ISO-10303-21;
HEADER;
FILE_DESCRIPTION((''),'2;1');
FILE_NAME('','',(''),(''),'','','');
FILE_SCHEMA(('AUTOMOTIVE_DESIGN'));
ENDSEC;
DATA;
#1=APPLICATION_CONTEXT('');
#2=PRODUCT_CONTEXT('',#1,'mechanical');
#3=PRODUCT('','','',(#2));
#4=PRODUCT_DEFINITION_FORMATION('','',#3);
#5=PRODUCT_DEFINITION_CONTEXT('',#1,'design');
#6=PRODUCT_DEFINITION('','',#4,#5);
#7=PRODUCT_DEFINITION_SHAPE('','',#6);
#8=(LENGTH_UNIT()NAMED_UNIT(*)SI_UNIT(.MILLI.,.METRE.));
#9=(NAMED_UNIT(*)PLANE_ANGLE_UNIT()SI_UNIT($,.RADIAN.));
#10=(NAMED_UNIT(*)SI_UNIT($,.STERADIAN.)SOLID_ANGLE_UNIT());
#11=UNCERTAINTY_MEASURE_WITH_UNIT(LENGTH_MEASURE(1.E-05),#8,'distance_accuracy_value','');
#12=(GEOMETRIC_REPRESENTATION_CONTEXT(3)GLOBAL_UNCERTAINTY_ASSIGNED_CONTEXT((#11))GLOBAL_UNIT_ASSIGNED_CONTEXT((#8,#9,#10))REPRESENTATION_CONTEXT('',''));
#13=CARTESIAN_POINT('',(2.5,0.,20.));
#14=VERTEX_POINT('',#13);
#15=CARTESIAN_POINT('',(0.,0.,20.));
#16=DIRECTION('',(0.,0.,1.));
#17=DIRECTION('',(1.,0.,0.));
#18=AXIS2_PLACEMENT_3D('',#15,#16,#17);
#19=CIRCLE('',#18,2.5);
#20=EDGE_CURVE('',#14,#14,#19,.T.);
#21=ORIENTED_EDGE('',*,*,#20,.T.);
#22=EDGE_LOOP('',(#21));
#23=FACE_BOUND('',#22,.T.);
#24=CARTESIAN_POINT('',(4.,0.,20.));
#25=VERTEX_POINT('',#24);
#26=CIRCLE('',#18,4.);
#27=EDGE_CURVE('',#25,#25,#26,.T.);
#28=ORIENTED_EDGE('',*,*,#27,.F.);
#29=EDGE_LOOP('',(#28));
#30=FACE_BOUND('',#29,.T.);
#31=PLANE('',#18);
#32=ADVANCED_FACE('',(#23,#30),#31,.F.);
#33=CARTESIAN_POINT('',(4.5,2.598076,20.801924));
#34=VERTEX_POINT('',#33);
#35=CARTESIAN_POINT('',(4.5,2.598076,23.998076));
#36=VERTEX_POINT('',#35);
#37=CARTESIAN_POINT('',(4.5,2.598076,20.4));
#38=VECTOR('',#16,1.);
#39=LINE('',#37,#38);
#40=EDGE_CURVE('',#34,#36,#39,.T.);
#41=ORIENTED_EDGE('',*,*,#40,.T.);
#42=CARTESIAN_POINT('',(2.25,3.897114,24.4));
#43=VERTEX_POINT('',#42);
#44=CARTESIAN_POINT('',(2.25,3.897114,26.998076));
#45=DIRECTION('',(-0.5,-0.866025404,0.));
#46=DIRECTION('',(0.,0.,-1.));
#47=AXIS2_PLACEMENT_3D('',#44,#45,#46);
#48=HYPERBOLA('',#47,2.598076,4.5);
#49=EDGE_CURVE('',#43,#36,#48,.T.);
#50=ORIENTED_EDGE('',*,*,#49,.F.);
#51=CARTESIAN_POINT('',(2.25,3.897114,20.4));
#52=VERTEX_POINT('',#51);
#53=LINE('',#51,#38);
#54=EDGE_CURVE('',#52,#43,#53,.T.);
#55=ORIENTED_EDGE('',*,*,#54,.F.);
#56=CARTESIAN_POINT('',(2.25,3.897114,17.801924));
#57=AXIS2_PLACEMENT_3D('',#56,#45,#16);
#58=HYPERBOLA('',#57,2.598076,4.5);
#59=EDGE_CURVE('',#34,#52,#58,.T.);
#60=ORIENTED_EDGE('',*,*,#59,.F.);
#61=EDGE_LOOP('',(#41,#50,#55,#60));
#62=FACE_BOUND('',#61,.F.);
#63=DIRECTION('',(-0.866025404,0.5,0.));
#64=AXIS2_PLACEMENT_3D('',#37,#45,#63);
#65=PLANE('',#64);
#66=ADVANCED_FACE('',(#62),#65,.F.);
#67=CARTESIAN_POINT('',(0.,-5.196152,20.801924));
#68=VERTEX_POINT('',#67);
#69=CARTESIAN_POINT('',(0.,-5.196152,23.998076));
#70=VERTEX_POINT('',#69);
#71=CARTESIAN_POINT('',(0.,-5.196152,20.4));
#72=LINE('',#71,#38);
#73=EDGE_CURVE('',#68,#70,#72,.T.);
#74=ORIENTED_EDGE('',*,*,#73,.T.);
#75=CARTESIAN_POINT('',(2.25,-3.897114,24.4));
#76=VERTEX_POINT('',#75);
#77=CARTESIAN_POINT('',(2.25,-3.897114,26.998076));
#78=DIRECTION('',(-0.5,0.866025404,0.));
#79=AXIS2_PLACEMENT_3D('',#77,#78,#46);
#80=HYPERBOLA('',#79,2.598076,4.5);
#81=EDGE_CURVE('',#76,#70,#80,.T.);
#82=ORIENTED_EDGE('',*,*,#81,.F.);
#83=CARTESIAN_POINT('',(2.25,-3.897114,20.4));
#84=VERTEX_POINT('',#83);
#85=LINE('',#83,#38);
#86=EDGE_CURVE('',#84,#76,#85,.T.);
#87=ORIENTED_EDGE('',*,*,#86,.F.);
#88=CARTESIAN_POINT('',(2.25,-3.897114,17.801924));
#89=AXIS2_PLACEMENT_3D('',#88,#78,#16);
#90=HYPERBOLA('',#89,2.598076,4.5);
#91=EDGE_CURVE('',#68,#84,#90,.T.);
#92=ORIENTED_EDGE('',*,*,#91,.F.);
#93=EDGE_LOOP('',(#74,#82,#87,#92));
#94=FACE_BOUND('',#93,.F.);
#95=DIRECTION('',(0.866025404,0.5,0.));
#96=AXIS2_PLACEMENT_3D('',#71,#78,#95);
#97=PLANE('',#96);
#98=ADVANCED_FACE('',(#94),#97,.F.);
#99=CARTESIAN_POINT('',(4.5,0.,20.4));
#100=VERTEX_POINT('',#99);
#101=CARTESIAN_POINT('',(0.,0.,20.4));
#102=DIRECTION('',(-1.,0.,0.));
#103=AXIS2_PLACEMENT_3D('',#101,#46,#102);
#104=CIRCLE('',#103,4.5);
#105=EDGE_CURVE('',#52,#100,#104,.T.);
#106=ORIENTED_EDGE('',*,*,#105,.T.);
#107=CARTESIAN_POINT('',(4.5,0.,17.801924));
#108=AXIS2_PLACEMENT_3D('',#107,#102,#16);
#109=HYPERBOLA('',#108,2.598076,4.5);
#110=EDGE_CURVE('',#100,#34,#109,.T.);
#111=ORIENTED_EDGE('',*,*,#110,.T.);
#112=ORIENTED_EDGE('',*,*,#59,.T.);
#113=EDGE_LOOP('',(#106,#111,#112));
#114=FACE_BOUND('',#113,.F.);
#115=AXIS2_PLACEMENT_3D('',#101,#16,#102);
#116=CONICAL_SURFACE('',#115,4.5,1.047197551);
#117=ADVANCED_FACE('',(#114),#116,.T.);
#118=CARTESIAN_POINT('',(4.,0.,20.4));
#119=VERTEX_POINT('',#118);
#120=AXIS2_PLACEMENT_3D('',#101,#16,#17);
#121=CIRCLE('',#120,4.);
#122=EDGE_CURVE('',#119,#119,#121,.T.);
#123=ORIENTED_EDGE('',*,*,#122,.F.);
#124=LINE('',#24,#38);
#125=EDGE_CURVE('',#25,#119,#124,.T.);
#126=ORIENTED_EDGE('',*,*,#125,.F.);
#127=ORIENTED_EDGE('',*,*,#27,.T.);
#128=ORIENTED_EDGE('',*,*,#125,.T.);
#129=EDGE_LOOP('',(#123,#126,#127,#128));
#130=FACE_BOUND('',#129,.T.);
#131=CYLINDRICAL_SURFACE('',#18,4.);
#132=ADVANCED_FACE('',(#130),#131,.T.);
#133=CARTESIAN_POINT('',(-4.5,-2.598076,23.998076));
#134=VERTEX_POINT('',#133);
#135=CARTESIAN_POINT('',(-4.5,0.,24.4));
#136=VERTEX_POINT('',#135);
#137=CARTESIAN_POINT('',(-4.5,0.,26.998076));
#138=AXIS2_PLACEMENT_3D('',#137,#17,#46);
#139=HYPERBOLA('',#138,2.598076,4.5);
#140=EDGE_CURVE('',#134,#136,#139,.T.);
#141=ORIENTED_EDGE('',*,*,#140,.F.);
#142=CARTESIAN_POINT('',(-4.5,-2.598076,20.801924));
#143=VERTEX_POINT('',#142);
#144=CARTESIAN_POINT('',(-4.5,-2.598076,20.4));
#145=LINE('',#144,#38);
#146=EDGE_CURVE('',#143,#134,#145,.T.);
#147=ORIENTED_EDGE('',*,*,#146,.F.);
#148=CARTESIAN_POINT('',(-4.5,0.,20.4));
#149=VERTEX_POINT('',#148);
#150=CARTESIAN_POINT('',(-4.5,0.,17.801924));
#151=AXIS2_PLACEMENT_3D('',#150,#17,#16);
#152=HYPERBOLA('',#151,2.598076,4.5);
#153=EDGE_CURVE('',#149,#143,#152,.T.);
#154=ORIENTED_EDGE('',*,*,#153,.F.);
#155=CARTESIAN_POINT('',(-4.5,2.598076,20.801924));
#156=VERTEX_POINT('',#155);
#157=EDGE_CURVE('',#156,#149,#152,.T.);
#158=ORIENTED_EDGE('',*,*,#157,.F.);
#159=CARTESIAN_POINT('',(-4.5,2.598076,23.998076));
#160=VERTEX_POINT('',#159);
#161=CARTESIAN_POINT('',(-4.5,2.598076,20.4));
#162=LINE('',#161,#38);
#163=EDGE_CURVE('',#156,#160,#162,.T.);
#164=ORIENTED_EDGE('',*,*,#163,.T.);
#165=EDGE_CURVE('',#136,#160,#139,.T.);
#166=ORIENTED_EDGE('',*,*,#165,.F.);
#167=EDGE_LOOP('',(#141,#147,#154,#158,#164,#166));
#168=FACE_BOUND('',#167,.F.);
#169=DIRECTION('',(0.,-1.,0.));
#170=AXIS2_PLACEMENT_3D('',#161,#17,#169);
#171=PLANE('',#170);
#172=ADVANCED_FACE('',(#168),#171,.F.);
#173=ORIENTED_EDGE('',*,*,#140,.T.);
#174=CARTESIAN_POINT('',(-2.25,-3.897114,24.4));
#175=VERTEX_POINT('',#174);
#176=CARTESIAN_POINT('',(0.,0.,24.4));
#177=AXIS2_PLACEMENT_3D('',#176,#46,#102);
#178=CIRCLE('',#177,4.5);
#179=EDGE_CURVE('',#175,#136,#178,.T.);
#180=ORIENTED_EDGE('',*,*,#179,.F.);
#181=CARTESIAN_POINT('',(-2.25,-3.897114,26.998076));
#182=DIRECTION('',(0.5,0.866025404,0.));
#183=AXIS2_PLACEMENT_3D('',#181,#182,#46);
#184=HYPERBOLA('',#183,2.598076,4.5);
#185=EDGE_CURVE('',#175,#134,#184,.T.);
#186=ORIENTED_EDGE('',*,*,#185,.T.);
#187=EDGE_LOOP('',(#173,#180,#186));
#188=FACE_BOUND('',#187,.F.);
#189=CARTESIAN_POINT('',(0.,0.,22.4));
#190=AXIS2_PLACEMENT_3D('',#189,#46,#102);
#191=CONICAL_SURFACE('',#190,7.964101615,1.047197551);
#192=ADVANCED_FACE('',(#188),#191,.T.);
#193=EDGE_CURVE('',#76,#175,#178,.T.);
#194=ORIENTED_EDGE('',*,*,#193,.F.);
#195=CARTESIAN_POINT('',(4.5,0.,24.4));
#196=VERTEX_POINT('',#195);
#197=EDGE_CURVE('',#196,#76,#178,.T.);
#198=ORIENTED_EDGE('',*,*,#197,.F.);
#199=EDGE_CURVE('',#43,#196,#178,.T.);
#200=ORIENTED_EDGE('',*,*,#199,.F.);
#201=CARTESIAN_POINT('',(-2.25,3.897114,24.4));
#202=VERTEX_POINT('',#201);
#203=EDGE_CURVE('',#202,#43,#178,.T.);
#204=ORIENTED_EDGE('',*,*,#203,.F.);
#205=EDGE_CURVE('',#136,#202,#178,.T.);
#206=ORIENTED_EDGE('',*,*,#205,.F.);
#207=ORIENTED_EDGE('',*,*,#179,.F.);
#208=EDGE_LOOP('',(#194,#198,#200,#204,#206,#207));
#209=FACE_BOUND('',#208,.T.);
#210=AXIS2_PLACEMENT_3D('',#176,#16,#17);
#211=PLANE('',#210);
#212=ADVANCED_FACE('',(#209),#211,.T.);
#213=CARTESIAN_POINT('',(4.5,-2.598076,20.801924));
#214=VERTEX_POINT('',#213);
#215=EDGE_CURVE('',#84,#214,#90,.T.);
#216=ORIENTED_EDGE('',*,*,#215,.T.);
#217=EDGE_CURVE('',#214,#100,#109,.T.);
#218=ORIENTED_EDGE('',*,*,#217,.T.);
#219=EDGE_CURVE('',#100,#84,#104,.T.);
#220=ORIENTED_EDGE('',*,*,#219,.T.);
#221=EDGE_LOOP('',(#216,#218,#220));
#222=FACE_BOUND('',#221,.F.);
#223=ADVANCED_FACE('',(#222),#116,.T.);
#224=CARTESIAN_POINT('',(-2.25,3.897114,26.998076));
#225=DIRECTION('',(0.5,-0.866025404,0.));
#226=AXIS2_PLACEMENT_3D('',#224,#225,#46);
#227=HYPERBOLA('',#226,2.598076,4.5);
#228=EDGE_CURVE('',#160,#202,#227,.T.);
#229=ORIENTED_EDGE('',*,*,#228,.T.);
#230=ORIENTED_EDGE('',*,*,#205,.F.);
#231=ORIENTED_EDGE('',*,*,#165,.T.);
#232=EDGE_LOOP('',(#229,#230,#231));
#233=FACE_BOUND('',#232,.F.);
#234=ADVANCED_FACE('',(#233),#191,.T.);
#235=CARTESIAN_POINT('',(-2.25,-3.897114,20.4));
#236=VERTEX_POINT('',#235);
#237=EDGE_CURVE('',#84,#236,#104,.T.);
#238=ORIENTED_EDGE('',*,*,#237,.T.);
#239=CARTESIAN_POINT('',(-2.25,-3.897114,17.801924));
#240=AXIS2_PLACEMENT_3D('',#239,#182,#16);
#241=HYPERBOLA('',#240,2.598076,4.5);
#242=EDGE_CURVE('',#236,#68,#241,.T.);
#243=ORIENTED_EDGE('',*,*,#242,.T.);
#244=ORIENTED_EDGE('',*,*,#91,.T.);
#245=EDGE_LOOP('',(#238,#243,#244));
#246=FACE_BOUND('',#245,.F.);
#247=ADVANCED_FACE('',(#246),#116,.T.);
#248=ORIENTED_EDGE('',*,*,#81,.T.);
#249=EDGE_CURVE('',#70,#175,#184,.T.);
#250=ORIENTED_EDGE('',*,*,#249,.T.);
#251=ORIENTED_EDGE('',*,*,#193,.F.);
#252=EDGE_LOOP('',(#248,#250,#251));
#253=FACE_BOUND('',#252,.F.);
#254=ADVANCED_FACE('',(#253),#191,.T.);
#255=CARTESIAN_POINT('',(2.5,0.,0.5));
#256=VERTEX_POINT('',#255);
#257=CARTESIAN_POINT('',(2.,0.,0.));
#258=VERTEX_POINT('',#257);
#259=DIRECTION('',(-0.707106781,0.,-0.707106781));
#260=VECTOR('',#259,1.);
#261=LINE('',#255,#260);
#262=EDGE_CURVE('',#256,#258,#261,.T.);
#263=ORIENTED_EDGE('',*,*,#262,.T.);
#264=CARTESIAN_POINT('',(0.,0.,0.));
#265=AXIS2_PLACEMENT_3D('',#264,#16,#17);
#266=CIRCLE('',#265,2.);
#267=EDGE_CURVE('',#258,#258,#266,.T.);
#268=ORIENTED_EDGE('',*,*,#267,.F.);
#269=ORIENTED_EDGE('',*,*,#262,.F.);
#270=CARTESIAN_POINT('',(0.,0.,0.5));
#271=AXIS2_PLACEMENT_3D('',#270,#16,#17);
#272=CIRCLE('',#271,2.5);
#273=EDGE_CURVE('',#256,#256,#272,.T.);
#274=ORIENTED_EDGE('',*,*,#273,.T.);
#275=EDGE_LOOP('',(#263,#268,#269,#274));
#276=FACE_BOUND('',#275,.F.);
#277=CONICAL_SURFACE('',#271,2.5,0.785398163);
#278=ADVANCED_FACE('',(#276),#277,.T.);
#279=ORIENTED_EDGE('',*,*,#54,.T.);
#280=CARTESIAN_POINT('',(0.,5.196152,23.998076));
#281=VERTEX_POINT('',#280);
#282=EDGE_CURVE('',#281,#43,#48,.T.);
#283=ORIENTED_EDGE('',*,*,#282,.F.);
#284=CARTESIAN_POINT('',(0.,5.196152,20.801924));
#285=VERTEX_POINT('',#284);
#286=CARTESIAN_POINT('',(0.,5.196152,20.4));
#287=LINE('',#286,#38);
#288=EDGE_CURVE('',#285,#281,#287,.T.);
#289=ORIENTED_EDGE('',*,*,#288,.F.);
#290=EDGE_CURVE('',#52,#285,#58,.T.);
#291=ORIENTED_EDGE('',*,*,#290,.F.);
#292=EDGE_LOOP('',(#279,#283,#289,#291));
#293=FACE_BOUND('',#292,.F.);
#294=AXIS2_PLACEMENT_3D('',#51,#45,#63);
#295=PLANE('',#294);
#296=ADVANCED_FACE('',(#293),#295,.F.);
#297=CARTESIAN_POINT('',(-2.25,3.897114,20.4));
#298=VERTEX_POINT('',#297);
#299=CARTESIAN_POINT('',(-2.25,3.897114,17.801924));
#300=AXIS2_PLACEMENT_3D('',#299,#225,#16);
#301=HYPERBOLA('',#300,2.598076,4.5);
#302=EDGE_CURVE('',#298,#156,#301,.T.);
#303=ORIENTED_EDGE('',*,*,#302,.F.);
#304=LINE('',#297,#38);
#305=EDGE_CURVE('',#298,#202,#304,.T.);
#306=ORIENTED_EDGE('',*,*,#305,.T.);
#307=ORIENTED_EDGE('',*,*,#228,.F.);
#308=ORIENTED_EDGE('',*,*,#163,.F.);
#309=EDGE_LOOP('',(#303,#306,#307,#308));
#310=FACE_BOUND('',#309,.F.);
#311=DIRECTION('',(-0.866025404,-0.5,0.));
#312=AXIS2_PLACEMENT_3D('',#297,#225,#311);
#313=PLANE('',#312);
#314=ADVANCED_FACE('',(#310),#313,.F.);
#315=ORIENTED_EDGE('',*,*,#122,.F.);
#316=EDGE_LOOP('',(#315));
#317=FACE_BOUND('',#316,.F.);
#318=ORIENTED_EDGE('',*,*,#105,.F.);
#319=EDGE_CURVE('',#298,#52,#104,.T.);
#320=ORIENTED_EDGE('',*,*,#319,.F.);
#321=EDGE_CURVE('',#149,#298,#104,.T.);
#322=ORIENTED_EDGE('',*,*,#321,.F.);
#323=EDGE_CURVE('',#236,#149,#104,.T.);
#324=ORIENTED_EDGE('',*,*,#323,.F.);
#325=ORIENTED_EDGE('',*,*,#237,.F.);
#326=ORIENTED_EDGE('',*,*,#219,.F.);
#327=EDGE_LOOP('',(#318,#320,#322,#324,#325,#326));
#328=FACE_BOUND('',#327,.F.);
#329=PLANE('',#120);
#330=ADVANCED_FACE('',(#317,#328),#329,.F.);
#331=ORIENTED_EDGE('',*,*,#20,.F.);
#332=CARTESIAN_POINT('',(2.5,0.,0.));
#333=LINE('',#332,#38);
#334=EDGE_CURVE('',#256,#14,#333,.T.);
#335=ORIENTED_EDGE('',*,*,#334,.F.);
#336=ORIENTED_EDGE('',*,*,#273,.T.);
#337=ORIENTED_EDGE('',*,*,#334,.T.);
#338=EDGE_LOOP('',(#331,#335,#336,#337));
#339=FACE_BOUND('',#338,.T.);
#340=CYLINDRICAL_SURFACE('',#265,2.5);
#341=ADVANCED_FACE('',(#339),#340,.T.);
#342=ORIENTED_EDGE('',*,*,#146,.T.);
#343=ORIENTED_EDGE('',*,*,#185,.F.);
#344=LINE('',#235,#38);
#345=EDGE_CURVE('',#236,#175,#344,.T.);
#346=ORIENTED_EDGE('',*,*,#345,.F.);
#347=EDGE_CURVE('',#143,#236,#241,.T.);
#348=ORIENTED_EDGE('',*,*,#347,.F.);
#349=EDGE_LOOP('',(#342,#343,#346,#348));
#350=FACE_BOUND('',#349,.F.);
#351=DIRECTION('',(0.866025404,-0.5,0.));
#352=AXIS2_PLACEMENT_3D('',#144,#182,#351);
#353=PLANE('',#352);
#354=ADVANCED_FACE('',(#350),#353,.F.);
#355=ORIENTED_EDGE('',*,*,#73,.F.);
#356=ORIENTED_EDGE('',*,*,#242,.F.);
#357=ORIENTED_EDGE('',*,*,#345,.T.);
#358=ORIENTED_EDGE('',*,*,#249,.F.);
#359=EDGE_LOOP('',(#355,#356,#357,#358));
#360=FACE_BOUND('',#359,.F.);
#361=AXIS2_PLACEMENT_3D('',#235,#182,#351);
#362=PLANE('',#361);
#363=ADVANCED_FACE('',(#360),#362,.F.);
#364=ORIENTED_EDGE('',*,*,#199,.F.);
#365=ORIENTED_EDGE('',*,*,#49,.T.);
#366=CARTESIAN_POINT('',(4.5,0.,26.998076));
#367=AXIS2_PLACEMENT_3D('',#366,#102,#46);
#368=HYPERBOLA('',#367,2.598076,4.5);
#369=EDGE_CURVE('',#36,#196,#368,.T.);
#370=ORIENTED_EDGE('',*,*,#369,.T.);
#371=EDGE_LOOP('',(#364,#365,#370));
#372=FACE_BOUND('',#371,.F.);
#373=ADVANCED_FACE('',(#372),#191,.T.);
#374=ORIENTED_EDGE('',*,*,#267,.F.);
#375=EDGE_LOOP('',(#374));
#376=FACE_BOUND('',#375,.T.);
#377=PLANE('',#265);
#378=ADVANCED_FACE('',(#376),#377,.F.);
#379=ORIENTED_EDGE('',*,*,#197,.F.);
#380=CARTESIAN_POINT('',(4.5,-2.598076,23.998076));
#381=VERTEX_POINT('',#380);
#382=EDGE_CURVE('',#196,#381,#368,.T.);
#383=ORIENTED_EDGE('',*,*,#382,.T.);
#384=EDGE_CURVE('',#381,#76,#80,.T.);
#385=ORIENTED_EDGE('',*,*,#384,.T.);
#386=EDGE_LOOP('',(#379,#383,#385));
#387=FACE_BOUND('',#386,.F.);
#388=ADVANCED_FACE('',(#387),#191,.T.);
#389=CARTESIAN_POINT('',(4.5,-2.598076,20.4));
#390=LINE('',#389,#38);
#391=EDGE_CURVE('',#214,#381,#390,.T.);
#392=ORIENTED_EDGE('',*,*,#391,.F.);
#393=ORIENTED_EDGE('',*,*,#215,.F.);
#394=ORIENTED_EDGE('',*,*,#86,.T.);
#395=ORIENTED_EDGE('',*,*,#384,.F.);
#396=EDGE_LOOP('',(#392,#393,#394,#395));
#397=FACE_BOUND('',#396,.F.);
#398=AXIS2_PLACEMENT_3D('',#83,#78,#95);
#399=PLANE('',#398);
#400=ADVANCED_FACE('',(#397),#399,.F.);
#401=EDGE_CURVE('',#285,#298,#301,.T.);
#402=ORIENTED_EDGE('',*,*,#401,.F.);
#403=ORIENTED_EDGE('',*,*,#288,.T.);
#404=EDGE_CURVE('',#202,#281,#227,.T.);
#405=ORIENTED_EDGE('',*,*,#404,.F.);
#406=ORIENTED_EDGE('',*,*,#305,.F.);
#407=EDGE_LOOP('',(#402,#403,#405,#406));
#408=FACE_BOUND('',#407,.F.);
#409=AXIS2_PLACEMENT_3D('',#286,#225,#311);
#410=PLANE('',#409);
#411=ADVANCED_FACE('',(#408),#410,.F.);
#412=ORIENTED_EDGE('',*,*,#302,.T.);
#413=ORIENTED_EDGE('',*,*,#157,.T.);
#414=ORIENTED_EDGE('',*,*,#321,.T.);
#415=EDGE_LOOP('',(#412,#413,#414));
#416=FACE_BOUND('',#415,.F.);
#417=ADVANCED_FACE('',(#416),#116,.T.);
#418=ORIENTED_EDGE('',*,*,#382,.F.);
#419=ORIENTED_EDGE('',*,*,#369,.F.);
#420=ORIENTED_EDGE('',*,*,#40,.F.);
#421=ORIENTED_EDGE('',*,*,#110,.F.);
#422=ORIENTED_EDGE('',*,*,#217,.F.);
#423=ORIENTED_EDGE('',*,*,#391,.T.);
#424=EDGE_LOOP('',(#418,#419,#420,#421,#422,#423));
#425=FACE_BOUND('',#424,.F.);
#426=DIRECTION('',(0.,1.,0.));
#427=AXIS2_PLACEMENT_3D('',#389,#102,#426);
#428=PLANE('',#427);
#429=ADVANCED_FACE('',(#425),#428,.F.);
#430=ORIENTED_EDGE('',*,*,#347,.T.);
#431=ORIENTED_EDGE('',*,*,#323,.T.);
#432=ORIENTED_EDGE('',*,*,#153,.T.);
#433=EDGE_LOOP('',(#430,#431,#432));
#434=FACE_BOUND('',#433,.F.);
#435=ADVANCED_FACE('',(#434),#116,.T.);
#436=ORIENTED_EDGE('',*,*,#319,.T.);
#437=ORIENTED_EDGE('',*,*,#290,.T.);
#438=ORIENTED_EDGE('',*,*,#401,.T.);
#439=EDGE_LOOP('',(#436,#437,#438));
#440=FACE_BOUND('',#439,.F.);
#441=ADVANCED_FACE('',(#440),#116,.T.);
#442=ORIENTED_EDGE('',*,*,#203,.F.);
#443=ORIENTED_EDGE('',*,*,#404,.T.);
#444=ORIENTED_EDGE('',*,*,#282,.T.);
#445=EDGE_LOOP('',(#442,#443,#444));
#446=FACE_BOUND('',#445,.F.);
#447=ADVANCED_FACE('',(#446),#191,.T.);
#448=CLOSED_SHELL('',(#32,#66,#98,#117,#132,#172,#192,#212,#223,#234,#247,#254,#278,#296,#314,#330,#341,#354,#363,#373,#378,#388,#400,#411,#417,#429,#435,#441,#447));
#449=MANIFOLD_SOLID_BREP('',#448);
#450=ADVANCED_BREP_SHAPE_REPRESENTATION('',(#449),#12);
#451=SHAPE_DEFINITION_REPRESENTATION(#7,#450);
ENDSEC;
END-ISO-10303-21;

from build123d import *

# Parameters (mm, degrees)
F3_DEPTH = 4
F6_SIZE  = 0.5


with BuildPart() as f1:
    # F0 (on Front) → F1 (revolve)
    with BuildSketch(Plane.XZ):
        Polygon((0, 20.3999999762), (0, 0), (2.5, 0), (2.5, 20), (4, 20), (4, 20.3999999762), align=None)
    revolve(axis=Axis((0, 0, 10.1999999881), (0, 0, 1)))

    # F2 (on face) → F3 (join)
    with BuildSketch(Plane.XY.offset(20.3999999762)):
        with BuildLine():
            ThreePointArc((2.249999971, -3.8971143338), (3.8971143086, -2.2500000145), (4.5, 0))
            ThreePointArc((4.5, 0), (3.8971143176, 2.249999999), (2.250000002, 3.8971143159))
            ThreePointArc((2.250000002, 3.8971143159), (-2.9e-08, 4.5), (-2.2500000522, 3.8971142869))
            ThreePointArc((-2.2500000522, 3.8971142869), (-3.8971143321, 2.2499999739), (-4.5, 0))
            ThreePointArc((-4.5, 0), (-3.8971143245, -2.2499999871), (-2.2500000257, -3.8971143022))
            ThreePointArc((-2.2500000257, -3.8971143022), (-3.16e-08, -4.5), (2.249999971, -3.8971143338))
        make_face()
        with BuildLine():
            Line((4.5, -2.5980762114), (4.5, 0))
            ThreePointArc((4.5, 0), (3.8971143086, -2.2500000145), (2.249999971, -3.8971143338))
            Line((2.249999971, -3.8971143338), (4.5, -2.5980762114))
        make_face()
        with BuildLine():
            ThreePointArc((2.250000002, 3.8971143159), (3.8971143176, 2.249999999), (4.5, 0))
            Line((4.5, 0), (4.5, 2.5980762114))
            Line((4.5, 2.5980762114), (2.250000002, 3.8971143159))
        make_face()
        with BuildLine():
            ThreePointArc((-2.2500000522, 3.8971142869), (-2.9e-08, 4.5), (2.250000002, 3.8971143159))
            Line((2.250000002, 3.8971143159), (0, 5.1961524227))
            Line((0, 5.1961524227), (-2.2500000522, 3.8971142869))
        make_face()
        with BuildLine():
            Line((0, -5.1961524227), (2.249999971, -3.8971143338))
            ThreePointArc((2.249999971, -3.8971143338), (-3.16e-08, -4.5), (-2.2500000257, -3.8971143022))
            Line((-2.2500000257, -3.8971143022), (0, -5.1961524227))
        make_face()
        with BuildLine():
            ThreePointArc((-4.5, 0), (-3.8971143321, 2.2499999739), (-2.2500000522, 3.8971142869))
            Line((-2.2500000522, 3.8971142869), (-4.5, 2.5980762114))
            Line((-4.5, 2.5980762114), (-4.5, 0))
        make_face()
        with BuildLine():
            Line((-4.5, -2.5980762114), (-2.2500000257, -3.8971143022))
            ThreePointArc((-2.2500000257, -3.8971143022), (-3.8971143245, -2.2499999871), (-4.5, 0))
            Line((-4.5, 0), (-4.5, -2.5980762114))
        make_face()
    extrude(amount=F3_DEPTH)

    # F4 (on Front) → F5 (revolve, cut)
    with BuildSketch(Plane.XZ):
        Polygon((-7.9641016151, 22.3999999762), (-4.5, 24.3999999762), (-9.8750129299, 24.3999999762), (-9.8750129299, 23.5032651381), align=None)
        Polygon((-4.5, 20.3999999762), (-7.9641016151, 22.3999999762), (-9.8750129299, 21.2967348142), (-9.8750129299, 20.3999999762), align=None)
        Polygon((-9.8750129299, 21.2967348142), (-7.9641016151, 22.3999999762), (-9.8750129299, 23.5032651381), align=None)
    revolve(axis=Axis((0, 0, 22.3999999762), (0, 0, -1)), mode=Mode.SUBTRACT)

    # F6
    f6_edges = [f1.edges().sort_by_distance(p)[0] for p in [
        (-2.5, 0, 0),
    ]]
    chamfer(f6_edges, length=F6_SIZE)


solid = f1.part
